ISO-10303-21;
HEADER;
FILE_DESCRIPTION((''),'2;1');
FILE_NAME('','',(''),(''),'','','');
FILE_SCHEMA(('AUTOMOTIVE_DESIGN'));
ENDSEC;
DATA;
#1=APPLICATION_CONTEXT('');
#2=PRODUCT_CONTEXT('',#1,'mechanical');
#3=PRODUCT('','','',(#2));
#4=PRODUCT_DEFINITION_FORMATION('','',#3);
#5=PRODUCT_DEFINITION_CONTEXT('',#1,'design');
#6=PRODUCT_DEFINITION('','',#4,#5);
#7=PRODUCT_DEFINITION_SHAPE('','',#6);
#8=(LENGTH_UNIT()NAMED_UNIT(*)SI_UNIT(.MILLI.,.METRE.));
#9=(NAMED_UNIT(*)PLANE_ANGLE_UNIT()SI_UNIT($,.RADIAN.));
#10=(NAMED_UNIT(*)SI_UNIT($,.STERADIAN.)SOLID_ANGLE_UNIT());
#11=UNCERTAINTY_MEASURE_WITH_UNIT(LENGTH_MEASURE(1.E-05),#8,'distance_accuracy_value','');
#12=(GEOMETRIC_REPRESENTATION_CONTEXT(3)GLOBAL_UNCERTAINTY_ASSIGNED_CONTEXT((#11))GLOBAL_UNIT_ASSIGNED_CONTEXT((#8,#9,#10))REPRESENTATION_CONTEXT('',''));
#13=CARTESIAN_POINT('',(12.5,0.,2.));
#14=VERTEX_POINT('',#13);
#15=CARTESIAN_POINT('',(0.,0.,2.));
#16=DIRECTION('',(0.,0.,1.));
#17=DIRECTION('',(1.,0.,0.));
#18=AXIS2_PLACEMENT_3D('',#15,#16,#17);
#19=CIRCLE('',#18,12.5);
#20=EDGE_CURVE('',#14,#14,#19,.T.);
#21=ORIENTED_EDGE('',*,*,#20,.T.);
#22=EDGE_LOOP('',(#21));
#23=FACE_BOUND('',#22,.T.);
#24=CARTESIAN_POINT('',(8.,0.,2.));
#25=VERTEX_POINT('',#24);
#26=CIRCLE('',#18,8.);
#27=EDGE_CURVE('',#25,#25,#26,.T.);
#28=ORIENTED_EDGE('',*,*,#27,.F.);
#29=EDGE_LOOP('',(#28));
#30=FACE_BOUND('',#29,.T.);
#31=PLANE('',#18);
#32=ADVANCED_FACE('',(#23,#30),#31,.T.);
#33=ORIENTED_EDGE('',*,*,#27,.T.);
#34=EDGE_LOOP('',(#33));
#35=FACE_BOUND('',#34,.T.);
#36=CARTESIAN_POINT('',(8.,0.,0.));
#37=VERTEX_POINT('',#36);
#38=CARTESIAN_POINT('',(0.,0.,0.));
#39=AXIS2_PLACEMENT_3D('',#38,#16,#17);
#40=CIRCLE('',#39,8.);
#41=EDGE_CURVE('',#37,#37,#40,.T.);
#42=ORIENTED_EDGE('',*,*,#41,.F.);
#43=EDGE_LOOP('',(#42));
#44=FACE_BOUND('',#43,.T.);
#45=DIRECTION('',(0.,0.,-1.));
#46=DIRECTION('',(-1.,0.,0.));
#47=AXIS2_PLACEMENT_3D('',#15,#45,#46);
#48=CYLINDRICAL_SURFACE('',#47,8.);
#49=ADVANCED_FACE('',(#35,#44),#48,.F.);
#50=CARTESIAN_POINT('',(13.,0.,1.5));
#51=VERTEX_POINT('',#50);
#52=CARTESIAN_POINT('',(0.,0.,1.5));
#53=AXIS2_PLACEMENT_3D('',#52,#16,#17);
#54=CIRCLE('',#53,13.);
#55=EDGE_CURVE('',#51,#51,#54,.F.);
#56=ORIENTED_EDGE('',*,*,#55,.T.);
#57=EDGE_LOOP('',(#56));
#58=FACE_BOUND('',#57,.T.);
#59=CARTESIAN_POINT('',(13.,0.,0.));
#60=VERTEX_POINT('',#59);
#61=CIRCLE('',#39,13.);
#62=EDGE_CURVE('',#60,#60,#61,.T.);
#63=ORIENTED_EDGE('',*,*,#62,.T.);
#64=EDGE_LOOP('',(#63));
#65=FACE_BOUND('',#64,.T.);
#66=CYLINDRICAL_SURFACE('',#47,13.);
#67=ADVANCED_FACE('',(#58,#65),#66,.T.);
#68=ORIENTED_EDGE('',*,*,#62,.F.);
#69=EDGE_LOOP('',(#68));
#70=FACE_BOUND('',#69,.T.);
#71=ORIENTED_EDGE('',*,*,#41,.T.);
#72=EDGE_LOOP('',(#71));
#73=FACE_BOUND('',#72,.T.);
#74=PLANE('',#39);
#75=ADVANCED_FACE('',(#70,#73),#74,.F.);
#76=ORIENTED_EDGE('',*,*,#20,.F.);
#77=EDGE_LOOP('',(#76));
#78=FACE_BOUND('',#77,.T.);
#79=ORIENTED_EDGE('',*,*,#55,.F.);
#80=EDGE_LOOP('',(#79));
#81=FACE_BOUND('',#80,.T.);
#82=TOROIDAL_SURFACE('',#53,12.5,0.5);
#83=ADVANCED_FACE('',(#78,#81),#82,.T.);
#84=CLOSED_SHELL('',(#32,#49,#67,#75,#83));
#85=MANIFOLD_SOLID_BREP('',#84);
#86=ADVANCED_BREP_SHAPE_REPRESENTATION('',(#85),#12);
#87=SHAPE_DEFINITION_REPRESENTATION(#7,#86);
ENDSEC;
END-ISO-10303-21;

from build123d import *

# Parameters (mm, degrees)
SKETCH1_R           = 13
SKETCH1_R_2         = 8
BOSS_EXTRUDE1_DEPTH = 2
FILLET1_R           = 0.5


with BuildPart() as part:
    # Sketch1 → Boss-Extrude1 (new body)
    with BuildSketch(Plane.XY):
        Circle(SKETCH1_R)
        Circle(SKETCH1_R_2, mode=Mode.SUBTRACT)
    extrude(amount=BOSS_EXTRUDE1_DEPTH)

    # Fillet1
    fillet1_edges = [part.edges().sort_by_distance(p)[0] for p in [
        (-13, 0, 2),
    ]]
    fillet(fillet1_edges, radius=FILLET1_R)


solid = part.part
